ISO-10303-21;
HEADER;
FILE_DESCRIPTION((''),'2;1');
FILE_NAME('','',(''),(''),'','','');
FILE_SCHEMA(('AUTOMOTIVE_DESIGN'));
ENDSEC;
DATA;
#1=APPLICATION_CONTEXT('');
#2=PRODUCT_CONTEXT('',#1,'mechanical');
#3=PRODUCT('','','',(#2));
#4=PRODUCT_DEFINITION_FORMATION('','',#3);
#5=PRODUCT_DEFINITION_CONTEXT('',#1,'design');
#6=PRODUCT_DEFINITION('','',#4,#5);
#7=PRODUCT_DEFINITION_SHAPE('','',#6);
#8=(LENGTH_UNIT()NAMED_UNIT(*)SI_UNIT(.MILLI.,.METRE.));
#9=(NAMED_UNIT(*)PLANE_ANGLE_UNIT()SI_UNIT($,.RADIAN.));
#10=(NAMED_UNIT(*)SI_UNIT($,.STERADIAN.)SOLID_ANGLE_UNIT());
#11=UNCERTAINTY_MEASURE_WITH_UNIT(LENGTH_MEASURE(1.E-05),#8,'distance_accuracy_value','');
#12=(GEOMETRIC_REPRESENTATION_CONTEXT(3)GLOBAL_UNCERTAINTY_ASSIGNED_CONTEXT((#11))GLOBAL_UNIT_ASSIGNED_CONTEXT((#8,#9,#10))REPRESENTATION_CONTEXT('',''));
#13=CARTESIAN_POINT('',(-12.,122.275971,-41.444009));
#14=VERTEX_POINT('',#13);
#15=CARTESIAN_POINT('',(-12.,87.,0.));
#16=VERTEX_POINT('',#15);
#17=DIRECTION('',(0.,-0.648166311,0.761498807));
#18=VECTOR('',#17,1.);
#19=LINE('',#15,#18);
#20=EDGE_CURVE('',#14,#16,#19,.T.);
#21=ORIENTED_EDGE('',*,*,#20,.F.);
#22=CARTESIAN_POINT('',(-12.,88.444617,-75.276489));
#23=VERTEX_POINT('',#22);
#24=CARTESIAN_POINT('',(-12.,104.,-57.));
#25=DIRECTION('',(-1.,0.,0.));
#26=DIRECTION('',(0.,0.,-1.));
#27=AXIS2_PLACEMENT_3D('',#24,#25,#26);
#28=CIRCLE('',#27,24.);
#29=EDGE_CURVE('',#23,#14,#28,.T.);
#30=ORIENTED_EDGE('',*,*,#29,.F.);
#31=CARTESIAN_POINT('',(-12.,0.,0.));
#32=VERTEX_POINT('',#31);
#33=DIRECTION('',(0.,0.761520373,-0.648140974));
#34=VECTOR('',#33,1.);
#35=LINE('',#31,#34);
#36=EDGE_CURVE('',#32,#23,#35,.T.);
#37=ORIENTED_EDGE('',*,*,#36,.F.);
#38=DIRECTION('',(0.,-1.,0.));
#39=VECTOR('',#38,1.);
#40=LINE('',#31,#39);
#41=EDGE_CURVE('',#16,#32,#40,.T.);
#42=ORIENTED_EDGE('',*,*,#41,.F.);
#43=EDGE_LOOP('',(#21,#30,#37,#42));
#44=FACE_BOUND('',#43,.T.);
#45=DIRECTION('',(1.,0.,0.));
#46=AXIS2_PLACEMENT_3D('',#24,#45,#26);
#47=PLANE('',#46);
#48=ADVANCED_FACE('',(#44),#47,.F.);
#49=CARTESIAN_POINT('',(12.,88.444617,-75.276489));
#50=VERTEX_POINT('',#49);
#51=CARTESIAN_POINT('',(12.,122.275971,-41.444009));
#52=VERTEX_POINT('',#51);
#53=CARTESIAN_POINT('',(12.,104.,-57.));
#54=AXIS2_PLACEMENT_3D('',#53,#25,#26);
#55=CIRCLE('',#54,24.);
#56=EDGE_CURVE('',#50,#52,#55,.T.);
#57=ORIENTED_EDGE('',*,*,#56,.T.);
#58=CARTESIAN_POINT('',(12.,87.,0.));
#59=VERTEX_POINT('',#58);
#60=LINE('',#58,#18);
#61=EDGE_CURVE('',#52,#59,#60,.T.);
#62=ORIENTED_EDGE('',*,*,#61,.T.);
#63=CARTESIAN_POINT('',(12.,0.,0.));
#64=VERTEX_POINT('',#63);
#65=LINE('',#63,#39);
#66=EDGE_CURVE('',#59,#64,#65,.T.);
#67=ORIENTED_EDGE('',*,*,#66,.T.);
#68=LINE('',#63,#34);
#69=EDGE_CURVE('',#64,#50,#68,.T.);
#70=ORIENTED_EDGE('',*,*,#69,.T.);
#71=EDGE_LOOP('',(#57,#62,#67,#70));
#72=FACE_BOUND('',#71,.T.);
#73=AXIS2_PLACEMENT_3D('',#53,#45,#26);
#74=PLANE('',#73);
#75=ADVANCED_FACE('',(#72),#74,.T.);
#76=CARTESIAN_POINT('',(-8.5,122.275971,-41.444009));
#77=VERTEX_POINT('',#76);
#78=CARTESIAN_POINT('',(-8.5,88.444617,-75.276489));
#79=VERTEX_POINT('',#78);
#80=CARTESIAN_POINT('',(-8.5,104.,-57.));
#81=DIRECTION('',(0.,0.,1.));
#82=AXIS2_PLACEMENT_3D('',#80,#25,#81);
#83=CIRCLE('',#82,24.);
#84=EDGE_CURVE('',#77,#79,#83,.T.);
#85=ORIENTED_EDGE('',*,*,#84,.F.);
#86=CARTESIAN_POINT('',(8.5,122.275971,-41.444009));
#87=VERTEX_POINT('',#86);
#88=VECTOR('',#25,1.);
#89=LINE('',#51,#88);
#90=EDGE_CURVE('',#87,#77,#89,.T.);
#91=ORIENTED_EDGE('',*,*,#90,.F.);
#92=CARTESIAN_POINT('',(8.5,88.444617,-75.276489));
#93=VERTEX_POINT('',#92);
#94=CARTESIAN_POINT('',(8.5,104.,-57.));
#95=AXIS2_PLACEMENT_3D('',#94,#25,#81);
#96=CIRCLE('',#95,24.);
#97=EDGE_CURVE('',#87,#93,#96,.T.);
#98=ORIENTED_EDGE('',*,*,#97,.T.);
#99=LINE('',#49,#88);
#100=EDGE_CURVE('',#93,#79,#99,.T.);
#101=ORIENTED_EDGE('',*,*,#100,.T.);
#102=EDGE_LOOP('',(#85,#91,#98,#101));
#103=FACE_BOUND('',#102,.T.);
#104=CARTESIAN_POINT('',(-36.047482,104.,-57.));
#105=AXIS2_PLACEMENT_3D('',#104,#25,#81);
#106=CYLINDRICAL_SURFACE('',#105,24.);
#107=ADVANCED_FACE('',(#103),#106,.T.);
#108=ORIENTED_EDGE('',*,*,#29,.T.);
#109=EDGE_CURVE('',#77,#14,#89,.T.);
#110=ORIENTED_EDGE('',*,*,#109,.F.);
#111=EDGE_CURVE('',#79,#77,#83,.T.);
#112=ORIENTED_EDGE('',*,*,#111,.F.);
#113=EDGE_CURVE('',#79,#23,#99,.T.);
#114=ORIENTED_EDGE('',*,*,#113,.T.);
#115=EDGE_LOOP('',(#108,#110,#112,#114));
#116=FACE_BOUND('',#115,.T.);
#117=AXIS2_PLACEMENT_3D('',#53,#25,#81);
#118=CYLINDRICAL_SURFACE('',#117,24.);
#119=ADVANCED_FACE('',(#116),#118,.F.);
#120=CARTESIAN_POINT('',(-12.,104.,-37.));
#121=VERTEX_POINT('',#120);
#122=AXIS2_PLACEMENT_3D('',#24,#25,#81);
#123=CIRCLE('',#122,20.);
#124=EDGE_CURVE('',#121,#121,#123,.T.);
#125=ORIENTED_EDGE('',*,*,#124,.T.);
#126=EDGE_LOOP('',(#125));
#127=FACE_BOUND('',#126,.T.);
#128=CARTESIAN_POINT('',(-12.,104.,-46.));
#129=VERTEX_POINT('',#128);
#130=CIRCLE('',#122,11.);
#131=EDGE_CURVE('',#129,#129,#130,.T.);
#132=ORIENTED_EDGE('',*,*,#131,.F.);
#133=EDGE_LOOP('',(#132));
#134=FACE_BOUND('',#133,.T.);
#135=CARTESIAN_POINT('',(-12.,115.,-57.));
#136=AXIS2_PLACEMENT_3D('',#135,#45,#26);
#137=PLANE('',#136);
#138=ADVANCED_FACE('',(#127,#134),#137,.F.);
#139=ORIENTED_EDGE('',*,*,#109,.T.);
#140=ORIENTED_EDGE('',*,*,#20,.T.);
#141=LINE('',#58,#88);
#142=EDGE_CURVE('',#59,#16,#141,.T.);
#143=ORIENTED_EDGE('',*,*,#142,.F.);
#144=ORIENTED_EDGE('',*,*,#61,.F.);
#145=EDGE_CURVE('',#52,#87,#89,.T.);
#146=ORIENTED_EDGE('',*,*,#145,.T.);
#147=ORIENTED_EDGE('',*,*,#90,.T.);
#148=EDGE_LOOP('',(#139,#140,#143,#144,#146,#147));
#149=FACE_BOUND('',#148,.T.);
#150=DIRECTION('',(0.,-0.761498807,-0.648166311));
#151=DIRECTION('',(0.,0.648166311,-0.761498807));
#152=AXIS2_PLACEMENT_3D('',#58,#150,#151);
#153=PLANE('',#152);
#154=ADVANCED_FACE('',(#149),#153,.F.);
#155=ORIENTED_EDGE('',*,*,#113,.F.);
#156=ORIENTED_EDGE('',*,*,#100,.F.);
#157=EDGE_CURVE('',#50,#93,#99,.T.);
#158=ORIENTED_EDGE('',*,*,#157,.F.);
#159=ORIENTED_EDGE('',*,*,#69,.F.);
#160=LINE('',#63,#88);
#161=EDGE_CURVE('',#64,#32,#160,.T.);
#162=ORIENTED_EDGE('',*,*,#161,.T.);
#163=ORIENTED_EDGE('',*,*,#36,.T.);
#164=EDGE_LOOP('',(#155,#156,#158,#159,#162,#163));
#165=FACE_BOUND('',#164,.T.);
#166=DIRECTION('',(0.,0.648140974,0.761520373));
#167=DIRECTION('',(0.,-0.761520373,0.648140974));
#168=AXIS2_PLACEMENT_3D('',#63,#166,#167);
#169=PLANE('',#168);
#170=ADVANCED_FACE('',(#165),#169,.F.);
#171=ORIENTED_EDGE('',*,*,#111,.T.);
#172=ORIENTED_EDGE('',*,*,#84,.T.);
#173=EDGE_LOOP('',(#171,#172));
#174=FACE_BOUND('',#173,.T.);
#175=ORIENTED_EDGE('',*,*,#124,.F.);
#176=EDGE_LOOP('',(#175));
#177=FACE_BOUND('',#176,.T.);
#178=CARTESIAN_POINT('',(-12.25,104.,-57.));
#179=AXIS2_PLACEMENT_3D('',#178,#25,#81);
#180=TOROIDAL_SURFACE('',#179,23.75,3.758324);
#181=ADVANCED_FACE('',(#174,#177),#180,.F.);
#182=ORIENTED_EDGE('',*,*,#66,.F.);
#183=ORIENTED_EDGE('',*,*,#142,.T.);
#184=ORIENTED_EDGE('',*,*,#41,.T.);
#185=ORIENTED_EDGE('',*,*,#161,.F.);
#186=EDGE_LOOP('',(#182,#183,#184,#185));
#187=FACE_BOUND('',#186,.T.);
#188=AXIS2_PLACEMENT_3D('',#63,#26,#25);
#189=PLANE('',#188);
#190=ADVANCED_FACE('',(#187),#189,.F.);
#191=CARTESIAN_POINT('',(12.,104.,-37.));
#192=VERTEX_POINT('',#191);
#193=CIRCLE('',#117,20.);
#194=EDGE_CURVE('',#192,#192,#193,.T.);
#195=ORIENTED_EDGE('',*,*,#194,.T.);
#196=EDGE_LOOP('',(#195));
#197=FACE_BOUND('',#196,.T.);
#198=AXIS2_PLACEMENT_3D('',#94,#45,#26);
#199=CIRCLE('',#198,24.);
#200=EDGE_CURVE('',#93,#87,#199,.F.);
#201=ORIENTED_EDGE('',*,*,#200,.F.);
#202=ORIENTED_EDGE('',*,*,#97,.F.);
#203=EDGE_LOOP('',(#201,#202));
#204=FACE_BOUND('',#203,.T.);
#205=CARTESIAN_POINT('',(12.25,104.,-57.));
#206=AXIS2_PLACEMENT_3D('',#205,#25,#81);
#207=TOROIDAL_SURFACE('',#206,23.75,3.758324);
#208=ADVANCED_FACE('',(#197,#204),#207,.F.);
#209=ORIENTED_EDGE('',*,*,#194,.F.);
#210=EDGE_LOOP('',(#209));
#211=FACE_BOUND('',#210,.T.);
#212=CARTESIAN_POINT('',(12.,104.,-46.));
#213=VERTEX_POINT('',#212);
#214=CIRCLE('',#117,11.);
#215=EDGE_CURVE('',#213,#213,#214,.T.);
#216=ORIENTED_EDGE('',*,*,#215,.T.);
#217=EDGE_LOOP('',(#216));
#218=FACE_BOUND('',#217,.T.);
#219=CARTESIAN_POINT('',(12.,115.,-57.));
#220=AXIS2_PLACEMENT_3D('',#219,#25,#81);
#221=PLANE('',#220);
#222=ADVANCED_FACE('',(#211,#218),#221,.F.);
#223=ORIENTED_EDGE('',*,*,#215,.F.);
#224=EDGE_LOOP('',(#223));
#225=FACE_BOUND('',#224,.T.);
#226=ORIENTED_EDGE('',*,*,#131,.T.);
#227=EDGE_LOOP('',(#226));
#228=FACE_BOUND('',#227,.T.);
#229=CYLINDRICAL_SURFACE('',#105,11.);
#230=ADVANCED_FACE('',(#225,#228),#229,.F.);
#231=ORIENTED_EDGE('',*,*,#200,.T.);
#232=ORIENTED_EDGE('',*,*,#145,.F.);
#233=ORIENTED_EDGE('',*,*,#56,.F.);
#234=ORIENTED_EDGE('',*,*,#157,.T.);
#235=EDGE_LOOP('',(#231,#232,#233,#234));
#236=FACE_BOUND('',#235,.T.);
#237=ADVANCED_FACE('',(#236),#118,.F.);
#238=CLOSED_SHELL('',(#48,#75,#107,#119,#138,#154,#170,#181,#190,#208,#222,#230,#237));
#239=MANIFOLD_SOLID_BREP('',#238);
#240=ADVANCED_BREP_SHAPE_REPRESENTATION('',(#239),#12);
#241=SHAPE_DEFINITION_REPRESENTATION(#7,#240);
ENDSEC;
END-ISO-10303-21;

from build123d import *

# Parameters (mm, degrees)
BOSS_EXTRUDE1_DEPTH = 12


with BuildPart() as part:
    # Sketch2 → Revolve1 (revolve)
    with BuildSketch(Plane.XY.offset(-57), mode=Mode.PRIVATE) as revolve1_sk:
        with BuildLine():
            Line((-12, 115), (12, 115))
            Line((12, 115), (12, 124))
            ThreePointArc((12, 124), (9.421572875, 125.275126266), (8.5, 128))
            Line((8.5, 128), (-8.5, 128))
            ThreePointArc((-8.5, 128), (-9.421572875, 125.275126266), (-12, 124))
            Line((-12, 124), (-12, 115))
        make_face()
    revolve(revolve1_sk.sketch.rotate(Axis((-36.047482345, 104, -57), (1, 0, 0)), 90), axis=Axis((-36.047482345, 104, -57), (1, 0, 0)))

    # Sketch3 → Boss-Extrude1 (add, symmetric)
    with BuildSketch(Plane(origin=(0, 0, 0), x_dir=(0, 0, -1), z_dir=(1, 0, 0))):
        with BuildLine():
            Line((0, 0), (0, 87))
            Line((0, 87), (41.444008538, 122.275971373))
            ThreePointArc((41.444008538, 122.275971373), (40.02971958, 87.029154927), (75.276488949, 88.444616633))
            Line((75.276488949, 88.444616633), (0, 0))
        make_face()
    extrude(amount=BOSS_EXTRUDE1_DEPTH, both=True)


solid = part.part
